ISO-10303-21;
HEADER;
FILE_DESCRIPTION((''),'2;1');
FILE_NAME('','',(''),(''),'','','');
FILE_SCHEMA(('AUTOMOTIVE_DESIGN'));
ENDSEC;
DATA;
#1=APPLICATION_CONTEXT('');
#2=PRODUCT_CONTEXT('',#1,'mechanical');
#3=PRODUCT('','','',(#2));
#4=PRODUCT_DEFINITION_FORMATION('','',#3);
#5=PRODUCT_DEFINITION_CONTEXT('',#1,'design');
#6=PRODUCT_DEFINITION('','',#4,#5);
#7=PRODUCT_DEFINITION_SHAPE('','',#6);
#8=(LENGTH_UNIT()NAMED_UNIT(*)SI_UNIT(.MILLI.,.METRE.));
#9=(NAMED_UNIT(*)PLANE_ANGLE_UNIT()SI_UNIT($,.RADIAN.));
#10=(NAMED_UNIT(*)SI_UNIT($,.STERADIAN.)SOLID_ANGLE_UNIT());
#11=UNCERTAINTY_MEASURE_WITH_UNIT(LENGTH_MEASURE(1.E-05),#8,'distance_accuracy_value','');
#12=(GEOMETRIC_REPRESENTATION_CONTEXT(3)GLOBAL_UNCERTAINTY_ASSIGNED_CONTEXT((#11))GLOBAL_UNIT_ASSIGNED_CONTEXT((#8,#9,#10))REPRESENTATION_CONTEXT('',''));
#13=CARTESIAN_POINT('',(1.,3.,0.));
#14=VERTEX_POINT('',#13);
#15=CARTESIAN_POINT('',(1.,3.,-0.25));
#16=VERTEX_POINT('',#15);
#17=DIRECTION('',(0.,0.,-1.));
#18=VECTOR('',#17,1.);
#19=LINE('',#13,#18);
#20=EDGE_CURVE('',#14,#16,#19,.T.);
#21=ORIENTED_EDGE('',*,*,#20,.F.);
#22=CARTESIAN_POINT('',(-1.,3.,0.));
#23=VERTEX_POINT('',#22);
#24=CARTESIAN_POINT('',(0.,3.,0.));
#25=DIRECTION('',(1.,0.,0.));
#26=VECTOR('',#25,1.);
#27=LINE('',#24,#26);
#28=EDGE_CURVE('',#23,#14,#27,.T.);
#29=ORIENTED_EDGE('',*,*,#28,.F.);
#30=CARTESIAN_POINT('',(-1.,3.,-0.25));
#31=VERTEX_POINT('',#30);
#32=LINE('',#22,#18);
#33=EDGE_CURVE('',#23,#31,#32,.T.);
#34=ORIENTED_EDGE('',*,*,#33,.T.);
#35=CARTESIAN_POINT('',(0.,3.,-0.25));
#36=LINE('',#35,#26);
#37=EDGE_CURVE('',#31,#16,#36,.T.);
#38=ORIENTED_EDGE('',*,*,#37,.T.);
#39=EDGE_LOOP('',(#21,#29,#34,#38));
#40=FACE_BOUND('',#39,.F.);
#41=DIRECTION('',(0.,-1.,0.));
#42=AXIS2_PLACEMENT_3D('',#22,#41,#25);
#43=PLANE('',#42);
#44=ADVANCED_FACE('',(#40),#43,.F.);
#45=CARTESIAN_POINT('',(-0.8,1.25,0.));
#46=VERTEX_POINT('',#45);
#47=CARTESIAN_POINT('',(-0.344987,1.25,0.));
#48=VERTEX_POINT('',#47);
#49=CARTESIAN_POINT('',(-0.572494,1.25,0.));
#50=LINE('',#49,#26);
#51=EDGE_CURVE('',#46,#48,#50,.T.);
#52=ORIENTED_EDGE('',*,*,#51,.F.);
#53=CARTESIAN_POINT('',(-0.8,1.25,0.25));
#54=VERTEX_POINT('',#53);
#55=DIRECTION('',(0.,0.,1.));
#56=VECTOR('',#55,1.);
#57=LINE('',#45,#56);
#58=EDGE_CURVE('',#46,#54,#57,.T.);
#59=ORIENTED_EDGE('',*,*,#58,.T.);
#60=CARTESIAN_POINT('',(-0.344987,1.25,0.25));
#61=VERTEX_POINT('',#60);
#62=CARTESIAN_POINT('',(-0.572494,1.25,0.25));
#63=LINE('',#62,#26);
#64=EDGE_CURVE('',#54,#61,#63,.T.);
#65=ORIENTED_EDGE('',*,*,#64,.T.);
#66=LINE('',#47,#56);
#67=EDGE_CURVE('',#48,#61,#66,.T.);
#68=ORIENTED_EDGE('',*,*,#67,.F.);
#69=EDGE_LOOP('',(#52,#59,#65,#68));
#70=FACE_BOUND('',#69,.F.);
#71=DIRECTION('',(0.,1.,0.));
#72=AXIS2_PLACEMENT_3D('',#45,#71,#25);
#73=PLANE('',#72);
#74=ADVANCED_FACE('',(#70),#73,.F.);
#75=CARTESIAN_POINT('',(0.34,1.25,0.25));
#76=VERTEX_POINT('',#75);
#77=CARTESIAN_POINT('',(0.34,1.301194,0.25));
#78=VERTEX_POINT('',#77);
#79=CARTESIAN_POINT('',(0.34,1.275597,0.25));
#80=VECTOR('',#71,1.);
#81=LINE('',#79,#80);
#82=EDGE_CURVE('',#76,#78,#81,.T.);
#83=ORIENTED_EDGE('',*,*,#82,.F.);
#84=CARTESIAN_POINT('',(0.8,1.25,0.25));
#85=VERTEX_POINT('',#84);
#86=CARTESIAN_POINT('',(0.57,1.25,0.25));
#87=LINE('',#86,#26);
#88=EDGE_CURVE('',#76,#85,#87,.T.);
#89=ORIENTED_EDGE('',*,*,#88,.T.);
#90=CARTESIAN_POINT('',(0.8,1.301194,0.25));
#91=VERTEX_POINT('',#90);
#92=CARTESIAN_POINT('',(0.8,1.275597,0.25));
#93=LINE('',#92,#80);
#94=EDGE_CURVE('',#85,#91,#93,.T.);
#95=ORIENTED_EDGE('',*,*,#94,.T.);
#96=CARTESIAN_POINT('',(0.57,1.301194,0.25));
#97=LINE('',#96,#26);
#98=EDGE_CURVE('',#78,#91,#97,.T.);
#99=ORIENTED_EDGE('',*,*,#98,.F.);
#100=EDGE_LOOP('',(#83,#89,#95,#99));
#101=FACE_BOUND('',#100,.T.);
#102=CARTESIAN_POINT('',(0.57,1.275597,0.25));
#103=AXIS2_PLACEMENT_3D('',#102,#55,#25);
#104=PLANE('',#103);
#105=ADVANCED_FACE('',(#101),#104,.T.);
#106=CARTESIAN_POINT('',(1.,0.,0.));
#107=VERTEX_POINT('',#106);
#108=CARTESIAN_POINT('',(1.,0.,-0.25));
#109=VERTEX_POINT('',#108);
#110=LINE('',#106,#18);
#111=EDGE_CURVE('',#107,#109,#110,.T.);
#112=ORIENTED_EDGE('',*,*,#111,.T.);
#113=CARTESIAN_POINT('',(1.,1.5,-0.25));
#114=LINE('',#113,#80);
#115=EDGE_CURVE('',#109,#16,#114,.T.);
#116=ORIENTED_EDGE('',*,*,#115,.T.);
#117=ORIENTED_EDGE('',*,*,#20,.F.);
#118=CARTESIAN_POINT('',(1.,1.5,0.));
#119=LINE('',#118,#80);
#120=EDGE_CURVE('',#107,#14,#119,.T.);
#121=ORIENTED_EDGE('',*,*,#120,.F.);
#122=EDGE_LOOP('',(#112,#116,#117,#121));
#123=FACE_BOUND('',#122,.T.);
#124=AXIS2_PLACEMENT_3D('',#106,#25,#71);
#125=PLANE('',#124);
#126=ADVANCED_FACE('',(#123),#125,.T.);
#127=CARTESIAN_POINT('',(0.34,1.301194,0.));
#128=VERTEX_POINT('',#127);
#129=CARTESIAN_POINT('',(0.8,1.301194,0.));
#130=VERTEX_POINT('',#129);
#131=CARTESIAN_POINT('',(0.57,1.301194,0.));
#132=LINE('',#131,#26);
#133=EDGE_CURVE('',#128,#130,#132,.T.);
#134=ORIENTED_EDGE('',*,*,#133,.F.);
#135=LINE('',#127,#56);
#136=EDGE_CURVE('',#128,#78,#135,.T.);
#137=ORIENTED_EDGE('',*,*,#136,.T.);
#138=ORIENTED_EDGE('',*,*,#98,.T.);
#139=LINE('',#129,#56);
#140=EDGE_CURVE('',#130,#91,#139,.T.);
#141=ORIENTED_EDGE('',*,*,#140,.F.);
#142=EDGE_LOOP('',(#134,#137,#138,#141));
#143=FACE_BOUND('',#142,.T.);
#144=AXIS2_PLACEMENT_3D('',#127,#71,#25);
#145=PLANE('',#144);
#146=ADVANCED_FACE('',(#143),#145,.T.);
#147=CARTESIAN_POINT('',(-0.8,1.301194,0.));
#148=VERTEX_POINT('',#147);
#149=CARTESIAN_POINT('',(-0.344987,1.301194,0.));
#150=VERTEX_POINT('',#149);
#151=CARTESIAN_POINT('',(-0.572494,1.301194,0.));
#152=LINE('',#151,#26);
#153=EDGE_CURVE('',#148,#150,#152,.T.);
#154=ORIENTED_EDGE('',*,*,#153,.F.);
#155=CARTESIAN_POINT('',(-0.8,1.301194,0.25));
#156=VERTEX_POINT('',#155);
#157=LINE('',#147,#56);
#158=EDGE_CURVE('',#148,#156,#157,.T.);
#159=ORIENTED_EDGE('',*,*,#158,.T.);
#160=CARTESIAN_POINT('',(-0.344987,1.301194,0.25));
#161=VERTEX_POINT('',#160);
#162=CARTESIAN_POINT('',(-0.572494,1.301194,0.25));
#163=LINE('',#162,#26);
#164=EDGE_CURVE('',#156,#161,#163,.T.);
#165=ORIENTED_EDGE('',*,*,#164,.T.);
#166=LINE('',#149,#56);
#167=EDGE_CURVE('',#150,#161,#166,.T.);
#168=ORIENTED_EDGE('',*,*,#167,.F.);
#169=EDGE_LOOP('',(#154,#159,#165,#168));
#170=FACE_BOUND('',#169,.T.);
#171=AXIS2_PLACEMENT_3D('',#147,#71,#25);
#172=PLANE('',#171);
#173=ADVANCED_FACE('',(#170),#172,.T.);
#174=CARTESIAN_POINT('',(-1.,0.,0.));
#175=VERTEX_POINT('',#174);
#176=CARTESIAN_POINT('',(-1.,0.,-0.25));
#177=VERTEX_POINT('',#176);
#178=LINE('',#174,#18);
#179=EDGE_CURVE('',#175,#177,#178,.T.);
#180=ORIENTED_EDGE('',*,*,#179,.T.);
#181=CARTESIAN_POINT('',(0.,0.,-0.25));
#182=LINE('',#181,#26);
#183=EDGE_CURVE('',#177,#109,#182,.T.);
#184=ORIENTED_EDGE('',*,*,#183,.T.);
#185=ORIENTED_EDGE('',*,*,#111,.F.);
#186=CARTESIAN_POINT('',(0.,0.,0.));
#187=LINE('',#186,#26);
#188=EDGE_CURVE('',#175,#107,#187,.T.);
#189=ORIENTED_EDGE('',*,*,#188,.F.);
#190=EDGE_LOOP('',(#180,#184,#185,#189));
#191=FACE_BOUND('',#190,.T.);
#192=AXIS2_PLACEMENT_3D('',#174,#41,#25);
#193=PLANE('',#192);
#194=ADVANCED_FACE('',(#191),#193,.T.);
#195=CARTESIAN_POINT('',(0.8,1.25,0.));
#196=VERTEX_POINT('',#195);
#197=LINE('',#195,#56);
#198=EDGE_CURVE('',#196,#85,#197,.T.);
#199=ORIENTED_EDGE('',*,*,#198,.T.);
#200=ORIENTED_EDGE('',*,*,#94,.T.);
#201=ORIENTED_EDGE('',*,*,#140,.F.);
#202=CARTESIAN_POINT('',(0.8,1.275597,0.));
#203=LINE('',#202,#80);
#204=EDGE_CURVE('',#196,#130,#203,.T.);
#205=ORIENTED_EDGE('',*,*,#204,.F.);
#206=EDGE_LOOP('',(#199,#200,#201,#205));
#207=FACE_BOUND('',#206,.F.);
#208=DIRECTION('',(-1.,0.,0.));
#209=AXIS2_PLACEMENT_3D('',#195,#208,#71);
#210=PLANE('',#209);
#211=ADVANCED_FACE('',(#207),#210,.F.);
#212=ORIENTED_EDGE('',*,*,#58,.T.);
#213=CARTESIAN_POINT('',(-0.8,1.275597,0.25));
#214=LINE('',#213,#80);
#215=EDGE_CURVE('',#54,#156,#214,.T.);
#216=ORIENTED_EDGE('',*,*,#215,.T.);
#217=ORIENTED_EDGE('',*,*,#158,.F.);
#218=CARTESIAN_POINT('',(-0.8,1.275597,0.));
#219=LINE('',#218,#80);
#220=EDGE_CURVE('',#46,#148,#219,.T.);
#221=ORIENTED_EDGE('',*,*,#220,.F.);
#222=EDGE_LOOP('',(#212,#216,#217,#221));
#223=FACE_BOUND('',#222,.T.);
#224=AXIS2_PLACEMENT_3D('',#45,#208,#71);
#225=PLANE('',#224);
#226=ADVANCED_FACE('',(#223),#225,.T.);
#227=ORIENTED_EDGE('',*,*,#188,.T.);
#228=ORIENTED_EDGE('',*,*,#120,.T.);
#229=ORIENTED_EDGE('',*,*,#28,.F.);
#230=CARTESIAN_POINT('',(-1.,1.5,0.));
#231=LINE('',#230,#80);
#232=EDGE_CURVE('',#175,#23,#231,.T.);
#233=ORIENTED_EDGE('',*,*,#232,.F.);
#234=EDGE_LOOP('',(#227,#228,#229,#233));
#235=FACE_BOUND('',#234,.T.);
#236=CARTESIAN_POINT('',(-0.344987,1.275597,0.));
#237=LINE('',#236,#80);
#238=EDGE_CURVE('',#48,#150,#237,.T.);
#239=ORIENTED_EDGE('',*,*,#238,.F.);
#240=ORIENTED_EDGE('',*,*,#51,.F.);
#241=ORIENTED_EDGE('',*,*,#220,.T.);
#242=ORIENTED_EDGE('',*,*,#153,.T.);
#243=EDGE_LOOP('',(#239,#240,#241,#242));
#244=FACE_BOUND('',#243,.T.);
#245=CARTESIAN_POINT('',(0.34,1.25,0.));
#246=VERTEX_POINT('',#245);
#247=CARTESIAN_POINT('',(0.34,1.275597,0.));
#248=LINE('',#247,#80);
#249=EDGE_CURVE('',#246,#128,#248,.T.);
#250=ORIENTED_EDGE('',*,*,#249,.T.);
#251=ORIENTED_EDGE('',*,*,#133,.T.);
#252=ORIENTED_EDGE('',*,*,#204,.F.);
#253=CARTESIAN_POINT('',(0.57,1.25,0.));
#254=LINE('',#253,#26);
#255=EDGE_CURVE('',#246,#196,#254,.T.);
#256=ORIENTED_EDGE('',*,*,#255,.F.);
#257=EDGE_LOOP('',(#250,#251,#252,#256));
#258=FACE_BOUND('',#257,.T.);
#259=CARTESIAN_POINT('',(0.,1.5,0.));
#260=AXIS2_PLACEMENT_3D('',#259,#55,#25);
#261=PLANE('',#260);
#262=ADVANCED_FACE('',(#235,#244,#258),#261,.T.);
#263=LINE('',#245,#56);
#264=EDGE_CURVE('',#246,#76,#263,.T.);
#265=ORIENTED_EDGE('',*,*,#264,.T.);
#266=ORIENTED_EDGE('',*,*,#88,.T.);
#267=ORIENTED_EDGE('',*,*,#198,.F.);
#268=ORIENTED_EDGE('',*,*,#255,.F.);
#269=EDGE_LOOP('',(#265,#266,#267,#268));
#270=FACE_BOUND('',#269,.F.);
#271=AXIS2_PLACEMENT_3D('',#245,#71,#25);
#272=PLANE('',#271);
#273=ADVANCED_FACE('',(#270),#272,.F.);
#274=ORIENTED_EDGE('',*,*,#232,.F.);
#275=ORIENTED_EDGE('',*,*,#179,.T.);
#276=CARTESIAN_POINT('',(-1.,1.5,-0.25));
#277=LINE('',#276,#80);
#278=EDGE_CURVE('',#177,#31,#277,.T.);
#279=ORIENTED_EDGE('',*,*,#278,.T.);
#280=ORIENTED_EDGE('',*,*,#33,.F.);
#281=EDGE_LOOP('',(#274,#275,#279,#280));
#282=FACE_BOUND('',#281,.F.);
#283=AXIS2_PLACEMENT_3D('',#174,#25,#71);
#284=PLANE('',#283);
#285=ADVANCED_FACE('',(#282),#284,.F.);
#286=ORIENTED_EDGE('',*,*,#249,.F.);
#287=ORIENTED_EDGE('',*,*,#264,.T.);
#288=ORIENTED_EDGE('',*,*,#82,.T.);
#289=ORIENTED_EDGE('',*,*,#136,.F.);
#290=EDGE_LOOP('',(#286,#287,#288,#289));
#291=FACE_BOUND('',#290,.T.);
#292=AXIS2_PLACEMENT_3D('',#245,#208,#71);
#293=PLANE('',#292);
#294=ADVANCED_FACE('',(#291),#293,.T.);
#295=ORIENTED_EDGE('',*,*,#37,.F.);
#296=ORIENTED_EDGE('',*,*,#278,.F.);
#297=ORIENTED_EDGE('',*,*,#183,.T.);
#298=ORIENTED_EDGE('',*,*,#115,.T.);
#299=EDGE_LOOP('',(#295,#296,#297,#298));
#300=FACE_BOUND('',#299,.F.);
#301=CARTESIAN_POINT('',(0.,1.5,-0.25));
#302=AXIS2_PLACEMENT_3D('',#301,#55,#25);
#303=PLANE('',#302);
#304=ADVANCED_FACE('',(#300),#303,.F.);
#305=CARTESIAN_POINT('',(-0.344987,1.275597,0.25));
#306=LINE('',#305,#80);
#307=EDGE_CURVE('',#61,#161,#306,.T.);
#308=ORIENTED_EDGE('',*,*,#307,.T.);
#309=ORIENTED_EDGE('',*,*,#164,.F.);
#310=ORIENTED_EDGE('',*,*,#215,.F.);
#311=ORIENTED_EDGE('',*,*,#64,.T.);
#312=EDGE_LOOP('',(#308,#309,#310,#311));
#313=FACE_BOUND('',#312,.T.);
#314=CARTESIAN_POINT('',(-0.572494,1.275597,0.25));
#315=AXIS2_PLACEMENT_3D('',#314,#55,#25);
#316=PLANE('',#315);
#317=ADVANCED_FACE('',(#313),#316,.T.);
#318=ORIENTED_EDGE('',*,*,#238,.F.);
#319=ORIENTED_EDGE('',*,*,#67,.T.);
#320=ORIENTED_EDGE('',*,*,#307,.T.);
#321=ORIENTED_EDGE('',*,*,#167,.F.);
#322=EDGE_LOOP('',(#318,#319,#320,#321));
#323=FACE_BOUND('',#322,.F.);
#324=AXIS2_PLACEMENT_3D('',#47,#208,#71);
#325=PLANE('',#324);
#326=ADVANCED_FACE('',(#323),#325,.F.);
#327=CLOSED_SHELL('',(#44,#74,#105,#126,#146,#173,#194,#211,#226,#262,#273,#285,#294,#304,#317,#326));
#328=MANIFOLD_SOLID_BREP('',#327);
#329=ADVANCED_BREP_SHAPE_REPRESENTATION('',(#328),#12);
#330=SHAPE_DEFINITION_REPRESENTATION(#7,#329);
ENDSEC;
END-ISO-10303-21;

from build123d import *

# Parameters (mm, degrees)
SKETCH1_W           = 2
SKETCH1_H           = 3
BOSS_EXTRUDE1_DEPTH = 0.25
SKETCH2_W           = 0.455012626
SKETCH2_H           = 0.051193531
SKETCH2_W_2         = 0.46
BOSS_EXTRUDE2_DEPTH = 0.25


with BuildPart() as part:
    # Sketch1 → Boss-Extrude1 (new body)
    with BuildSketch(Plane.XY):
        with Locations((0, 1.5)):
            Rectangle(SKETCH1_W, SKETCH1_H)
    extrude(amount=-BOSS_EXTRUDE1_DEPTH)

    # Sketch2 → Boss-Extrude2 (add)
    with BuildSketch(Plane.XY):
        with Locations((-0.572493687, 1.275596766)):
            Rectangle(SKETCH2_W, SKETCH2_H)
        with Locations((0.57, 1.275596766)):
            Rectangle(SKETCH2_W_2, SKETCH2_H)
    extrude(amount=BOSS_EXTRUDE2_DEPTH)


solid = part.part
